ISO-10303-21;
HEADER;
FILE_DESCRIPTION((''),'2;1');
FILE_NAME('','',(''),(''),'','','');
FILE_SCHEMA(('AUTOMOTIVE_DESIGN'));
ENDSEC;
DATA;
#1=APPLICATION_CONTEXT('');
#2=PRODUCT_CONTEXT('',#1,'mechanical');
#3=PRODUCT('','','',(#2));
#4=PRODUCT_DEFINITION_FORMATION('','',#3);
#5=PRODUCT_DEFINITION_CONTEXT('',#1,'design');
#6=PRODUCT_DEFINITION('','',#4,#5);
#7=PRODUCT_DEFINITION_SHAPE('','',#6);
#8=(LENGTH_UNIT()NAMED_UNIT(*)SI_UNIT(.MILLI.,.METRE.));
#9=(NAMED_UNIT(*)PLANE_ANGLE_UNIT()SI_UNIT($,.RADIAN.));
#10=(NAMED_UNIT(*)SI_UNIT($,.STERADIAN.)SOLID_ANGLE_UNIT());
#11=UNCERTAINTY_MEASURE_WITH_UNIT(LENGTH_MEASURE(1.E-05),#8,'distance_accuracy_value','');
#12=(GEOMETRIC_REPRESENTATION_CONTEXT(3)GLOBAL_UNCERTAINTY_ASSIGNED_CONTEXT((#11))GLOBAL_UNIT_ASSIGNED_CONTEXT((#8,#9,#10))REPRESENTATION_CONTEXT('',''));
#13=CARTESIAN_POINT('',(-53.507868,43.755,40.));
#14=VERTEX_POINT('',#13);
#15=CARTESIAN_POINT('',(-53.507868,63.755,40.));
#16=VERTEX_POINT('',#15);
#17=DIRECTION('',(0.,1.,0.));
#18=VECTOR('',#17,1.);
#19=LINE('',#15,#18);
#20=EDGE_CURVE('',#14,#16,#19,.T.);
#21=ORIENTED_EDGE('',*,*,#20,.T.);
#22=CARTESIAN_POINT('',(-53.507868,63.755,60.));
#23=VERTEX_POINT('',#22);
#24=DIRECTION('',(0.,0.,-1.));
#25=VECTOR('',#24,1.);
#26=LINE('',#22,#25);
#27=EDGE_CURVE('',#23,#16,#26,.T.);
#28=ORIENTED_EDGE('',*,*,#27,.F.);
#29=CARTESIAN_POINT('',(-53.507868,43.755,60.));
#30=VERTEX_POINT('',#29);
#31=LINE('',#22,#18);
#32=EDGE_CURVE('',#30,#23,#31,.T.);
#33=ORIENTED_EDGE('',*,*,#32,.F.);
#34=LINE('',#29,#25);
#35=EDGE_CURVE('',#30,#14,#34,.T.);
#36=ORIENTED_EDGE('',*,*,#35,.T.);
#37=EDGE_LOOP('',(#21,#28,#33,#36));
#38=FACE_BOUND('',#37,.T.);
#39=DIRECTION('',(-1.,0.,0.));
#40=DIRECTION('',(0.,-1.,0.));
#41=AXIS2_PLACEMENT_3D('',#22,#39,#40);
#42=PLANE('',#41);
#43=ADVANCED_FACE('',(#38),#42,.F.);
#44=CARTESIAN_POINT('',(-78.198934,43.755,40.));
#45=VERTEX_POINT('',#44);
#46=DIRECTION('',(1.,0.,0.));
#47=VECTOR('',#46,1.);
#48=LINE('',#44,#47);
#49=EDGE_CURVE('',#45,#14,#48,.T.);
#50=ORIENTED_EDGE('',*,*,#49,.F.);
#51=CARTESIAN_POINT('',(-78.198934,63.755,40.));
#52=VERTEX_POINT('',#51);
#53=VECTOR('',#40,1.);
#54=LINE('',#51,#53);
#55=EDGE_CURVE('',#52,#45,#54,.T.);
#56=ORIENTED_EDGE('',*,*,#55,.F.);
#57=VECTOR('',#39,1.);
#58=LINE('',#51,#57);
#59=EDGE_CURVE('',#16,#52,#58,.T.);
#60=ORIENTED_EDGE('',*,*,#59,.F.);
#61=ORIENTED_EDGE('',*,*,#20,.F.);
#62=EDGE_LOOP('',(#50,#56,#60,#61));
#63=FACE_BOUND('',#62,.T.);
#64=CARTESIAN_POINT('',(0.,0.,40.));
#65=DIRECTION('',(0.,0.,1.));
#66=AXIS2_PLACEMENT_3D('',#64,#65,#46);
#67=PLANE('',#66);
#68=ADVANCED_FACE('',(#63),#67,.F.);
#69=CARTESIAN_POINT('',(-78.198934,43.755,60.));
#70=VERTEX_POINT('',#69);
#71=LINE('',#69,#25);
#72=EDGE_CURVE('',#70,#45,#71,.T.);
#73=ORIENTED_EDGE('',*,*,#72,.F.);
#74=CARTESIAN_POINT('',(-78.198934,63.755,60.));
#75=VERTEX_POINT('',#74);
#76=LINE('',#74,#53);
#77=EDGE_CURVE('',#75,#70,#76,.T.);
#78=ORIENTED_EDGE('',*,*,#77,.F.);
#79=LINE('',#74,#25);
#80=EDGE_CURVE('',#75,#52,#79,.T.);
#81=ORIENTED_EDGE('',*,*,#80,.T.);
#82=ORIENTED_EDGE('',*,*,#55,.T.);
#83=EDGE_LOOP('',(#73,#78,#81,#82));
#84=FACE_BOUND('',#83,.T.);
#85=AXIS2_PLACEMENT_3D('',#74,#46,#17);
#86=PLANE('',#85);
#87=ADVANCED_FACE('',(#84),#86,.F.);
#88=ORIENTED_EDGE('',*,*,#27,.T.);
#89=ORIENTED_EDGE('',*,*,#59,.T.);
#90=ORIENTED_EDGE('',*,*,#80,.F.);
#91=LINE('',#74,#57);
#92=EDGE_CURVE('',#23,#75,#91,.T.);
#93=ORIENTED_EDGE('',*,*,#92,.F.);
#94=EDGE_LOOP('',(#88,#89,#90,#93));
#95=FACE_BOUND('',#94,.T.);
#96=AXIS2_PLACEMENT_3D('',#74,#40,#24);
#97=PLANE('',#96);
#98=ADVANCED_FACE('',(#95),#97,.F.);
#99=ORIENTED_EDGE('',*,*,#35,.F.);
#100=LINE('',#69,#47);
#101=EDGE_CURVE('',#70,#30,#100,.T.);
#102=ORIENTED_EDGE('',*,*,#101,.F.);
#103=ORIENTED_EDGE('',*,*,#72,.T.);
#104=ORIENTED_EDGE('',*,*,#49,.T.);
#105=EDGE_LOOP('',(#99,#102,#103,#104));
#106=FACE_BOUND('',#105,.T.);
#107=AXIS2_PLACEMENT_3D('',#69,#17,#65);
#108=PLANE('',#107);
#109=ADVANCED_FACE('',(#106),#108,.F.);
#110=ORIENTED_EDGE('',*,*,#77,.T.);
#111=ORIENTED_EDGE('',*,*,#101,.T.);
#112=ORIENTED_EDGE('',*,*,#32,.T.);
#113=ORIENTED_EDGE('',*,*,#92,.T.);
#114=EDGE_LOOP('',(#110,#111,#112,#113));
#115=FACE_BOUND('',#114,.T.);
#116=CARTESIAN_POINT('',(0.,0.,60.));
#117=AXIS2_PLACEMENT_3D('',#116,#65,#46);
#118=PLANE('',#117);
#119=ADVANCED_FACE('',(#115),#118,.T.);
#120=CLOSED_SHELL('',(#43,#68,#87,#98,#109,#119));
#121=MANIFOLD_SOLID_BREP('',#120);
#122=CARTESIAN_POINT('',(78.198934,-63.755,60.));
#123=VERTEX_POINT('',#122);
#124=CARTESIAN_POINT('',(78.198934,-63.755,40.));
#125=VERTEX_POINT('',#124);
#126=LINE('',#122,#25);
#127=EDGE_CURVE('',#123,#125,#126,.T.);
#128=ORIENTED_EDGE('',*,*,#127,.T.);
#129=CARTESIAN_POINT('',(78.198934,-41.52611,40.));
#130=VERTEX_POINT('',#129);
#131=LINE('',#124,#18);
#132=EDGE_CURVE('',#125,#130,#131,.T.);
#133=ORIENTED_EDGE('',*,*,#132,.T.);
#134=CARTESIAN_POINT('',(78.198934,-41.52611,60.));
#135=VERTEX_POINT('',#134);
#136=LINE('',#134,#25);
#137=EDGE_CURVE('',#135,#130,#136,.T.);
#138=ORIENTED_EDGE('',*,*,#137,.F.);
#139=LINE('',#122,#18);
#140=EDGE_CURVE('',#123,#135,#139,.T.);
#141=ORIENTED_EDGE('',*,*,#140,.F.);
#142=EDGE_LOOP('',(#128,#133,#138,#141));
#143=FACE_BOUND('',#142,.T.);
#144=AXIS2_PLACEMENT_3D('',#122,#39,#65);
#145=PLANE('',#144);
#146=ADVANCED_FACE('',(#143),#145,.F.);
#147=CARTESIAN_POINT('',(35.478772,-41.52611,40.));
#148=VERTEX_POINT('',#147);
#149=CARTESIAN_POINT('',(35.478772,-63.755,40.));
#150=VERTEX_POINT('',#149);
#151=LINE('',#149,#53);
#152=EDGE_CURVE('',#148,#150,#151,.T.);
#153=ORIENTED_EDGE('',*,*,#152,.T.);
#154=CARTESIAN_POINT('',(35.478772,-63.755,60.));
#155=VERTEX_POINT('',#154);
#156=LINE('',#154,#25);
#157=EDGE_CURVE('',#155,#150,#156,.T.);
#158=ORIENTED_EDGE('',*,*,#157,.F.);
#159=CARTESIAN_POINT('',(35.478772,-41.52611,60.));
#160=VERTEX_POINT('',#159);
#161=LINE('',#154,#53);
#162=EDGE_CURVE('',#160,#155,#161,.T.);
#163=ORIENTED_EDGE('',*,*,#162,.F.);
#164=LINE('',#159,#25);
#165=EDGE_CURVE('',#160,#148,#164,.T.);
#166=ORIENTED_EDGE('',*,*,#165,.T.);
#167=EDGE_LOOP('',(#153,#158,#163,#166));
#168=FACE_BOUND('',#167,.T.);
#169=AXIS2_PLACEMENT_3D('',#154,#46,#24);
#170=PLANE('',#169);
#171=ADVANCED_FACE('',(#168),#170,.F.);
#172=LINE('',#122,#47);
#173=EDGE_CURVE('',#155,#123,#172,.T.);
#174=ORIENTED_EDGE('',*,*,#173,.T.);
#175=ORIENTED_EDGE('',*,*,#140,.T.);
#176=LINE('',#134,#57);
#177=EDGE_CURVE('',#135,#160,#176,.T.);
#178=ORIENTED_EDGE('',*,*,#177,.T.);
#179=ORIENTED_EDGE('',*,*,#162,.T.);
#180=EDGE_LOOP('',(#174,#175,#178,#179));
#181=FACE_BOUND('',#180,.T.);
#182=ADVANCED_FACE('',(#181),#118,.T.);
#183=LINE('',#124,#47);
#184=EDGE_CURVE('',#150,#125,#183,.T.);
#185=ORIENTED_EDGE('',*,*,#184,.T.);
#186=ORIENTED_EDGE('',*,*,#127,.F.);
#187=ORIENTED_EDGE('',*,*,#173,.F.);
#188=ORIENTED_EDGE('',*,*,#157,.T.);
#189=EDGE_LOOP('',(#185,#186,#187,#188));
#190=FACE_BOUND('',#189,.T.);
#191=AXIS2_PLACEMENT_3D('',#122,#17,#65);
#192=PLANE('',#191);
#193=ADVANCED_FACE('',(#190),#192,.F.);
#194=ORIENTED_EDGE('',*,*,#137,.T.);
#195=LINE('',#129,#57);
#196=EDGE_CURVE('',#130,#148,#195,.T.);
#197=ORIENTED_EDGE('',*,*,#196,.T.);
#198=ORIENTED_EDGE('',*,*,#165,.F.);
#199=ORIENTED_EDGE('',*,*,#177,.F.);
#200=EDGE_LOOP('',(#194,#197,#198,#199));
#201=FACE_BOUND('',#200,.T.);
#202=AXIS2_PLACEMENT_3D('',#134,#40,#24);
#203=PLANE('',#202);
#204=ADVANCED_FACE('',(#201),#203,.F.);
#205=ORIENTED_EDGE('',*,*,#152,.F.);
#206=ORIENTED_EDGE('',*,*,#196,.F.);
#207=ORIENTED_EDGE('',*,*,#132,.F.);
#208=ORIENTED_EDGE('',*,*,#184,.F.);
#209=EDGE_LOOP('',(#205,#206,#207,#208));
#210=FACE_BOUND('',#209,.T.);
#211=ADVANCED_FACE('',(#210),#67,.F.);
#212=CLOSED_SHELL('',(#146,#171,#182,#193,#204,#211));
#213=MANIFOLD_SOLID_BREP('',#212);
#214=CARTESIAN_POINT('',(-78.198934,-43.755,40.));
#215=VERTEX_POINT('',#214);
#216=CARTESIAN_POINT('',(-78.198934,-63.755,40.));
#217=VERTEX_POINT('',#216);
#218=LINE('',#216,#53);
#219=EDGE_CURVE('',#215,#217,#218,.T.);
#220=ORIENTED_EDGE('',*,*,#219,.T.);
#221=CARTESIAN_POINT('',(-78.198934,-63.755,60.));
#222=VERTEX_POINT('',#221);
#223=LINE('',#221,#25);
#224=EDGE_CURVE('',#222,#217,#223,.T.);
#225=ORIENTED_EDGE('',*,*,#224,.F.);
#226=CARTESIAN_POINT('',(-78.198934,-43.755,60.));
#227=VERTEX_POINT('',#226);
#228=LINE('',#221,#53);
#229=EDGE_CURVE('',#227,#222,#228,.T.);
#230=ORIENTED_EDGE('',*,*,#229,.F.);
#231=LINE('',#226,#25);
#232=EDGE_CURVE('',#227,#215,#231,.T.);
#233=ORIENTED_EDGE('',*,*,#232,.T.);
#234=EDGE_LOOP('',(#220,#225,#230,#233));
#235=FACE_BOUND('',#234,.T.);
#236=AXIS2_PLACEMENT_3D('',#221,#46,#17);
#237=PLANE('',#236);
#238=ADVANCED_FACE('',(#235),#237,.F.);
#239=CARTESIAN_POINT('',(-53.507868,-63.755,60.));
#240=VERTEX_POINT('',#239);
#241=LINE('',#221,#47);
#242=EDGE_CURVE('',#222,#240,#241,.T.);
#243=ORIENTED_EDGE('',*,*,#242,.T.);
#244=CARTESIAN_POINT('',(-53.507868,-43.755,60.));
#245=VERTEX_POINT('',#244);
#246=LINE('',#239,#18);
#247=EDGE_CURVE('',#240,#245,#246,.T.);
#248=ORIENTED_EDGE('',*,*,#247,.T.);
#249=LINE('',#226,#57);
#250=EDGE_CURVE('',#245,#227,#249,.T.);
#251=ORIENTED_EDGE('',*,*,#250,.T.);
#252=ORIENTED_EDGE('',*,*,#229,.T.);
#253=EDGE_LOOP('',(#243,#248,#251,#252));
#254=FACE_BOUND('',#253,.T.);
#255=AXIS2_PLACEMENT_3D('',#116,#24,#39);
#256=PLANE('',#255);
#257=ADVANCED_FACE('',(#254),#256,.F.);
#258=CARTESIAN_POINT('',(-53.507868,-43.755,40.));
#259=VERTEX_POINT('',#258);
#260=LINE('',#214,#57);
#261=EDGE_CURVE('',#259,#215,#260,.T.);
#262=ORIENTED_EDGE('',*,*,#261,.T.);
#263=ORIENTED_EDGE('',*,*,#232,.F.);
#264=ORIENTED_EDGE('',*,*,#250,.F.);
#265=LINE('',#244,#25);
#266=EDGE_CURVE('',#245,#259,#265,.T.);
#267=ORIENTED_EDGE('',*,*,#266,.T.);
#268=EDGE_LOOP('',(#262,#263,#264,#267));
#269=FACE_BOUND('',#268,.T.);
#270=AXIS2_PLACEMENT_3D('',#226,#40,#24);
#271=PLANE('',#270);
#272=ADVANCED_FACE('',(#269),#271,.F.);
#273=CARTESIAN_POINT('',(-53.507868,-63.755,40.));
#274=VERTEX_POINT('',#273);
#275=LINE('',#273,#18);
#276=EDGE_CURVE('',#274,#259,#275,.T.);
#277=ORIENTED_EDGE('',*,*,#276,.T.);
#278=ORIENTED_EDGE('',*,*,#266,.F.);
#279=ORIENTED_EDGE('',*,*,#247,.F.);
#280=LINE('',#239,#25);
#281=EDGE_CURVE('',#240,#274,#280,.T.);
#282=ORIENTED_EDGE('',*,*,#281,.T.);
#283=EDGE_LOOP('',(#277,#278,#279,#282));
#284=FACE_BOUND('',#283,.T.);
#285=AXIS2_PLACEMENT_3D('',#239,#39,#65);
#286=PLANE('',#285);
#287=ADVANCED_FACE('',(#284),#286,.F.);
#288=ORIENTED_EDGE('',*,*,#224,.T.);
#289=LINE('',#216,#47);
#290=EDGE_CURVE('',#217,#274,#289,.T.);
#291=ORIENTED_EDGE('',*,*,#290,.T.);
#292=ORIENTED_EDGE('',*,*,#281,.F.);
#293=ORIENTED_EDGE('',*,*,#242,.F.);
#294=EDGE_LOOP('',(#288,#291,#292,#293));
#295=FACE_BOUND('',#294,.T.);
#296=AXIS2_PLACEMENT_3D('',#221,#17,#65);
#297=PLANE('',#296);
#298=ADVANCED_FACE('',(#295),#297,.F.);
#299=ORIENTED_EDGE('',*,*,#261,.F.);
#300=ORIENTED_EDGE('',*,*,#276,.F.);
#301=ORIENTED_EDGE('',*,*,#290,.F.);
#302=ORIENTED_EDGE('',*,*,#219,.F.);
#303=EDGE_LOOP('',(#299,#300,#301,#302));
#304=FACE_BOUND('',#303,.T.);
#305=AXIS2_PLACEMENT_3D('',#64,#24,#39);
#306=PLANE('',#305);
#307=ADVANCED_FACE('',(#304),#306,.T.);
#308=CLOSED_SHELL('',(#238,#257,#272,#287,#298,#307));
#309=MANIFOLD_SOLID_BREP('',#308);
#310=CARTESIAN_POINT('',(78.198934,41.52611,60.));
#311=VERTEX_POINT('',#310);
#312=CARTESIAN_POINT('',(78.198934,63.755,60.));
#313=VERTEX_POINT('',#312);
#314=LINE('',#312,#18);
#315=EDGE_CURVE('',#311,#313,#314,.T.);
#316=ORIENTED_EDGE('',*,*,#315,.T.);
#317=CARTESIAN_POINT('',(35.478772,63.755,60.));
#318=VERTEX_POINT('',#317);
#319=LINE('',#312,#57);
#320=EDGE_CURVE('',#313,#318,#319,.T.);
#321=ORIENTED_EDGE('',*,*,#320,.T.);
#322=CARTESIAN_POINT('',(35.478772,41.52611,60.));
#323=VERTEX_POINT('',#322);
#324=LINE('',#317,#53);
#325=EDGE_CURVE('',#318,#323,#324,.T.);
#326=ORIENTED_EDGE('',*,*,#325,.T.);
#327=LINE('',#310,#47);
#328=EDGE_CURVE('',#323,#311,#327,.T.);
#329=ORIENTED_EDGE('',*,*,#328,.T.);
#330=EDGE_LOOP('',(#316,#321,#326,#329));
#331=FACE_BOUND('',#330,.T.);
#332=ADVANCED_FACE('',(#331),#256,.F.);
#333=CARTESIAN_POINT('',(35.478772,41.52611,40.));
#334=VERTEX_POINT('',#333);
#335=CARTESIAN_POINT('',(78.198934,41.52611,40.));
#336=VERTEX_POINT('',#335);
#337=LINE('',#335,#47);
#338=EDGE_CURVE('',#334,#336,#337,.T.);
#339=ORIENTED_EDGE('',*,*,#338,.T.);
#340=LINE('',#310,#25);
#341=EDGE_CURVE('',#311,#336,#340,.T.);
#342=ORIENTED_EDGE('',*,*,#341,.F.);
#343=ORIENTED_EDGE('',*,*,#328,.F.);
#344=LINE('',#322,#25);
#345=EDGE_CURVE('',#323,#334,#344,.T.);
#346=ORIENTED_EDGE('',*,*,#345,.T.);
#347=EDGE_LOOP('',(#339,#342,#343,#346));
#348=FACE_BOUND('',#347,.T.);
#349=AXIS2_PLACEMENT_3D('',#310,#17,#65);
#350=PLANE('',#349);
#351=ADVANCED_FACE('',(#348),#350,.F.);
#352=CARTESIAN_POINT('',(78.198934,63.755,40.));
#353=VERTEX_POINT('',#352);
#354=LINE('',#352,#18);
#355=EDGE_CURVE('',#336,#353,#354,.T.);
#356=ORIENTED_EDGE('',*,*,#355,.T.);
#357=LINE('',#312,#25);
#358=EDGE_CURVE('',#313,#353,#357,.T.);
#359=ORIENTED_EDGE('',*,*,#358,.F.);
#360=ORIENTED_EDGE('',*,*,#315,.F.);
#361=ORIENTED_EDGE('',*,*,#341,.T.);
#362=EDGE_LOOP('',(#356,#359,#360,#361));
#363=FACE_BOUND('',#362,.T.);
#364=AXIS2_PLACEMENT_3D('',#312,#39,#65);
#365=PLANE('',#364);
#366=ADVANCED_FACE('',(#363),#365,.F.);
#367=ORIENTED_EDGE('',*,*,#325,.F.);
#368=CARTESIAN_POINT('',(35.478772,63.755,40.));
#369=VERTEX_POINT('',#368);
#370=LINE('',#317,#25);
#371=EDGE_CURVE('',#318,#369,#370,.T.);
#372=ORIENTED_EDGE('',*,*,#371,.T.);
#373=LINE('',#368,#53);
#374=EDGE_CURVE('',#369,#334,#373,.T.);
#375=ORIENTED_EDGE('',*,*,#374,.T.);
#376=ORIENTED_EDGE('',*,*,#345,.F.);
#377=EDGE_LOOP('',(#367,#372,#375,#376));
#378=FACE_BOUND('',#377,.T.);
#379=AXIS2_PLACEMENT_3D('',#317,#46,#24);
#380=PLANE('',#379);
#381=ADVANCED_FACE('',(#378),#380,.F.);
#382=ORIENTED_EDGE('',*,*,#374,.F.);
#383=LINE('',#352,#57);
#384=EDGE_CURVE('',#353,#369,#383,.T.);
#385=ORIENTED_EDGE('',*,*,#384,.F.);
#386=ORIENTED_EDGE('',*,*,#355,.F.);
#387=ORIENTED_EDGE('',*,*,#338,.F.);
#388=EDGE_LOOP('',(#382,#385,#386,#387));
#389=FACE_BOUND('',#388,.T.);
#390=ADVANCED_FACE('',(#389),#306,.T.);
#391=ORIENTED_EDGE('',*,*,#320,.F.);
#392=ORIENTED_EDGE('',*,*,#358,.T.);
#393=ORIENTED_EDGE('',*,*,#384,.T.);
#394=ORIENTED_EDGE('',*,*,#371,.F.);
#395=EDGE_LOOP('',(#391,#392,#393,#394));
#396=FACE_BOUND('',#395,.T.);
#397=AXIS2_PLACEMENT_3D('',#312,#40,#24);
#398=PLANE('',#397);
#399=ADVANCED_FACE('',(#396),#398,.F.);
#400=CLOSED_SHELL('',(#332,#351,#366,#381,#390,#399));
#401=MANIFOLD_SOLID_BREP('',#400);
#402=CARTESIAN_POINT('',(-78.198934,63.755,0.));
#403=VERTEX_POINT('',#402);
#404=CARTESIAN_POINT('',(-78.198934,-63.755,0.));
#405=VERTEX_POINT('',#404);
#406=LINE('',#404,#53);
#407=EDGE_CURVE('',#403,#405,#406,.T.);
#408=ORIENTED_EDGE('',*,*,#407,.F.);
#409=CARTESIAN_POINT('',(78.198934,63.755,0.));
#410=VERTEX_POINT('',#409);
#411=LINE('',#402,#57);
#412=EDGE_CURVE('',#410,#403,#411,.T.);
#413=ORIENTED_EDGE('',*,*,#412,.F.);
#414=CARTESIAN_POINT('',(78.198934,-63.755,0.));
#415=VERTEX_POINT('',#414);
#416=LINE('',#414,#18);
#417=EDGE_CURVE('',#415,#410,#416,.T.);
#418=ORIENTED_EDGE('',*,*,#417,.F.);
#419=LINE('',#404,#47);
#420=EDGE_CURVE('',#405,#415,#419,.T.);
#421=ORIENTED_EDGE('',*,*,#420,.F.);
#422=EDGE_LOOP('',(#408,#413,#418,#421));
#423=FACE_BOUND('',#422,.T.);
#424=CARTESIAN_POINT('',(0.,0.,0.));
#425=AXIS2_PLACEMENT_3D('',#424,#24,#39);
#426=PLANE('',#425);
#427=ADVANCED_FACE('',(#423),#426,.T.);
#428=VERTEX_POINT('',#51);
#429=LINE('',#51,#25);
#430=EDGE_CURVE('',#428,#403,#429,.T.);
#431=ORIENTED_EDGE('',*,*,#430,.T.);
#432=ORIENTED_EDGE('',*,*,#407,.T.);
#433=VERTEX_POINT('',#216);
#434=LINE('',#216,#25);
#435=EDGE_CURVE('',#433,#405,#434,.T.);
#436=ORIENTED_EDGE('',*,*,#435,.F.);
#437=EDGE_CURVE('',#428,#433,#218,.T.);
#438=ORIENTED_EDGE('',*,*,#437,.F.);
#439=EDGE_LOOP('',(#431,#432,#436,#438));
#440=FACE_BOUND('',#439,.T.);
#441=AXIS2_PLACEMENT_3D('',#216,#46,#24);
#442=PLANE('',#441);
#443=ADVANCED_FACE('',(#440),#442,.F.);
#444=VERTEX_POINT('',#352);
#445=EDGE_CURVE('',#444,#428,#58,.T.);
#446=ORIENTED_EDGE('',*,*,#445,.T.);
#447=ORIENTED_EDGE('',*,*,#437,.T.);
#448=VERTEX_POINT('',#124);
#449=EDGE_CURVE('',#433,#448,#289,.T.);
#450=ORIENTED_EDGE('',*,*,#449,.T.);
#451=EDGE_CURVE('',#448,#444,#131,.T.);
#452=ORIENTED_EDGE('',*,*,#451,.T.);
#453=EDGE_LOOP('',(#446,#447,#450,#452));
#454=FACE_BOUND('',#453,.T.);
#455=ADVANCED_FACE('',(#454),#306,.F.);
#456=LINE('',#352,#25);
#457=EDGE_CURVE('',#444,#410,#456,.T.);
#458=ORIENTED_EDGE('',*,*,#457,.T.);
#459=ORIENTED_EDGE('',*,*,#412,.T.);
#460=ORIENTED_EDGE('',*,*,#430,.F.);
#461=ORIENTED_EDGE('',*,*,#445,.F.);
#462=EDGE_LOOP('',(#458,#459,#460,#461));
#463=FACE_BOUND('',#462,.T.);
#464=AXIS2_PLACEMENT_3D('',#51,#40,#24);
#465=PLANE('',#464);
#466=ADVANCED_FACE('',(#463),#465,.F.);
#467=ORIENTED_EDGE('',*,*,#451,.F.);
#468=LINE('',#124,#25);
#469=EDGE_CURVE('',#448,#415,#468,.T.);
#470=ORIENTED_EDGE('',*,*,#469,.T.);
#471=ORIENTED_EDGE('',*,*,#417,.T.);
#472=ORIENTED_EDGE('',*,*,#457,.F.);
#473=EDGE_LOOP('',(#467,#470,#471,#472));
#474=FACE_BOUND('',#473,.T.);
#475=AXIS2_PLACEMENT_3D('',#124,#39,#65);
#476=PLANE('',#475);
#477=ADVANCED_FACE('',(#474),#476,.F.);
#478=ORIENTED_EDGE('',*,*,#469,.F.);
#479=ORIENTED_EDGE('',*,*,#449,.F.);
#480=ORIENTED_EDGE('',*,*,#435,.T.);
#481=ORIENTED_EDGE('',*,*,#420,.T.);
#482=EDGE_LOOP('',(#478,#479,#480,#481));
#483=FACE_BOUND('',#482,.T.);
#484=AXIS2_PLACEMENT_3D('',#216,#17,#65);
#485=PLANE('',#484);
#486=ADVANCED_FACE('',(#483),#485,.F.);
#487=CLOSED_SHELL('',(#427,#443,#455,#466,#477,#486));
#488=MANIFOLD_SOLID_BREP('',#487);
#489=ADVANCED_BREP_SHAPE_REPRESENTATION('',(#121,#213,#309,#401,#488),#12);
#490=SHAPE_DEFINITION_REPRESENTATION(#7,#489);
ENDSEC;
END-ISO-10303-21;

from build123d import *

# Parameters (mm, degrees)
ESBO_O1_W                  = 156.39786889
ESBO_O1_H                  = 127.51
NOVO_DEPTH                 = 40
ESBO_O2_W                  = 24.691065998
ESBO_O2_H                  = 20
RESSALTO_EXTRUS_O2_DEPTH   = 20
RESSALTO_EXTRUS_O2_2_DEPTH = 20
ESBO_O2_W_2                = 42.720162864
ESBO_O2_H_2                = 22.228889681
RESSALTO_EXTRUS_O2_3_DEPTH = 20
RESSALTO_EXTRUS_O2_4_DEPTH = 20


with BuildPart() as part:
    # Esboço1 → Novo (new body)
    with BuildSketch(Plane.XY):
        Rectangle(ESBO_O1_W, ESBO_O1_H)
    extrude(amount=NOVO_DEPTH)


with BuildPart() as body_2:
    # Esboço2 → Ressalto-extrusão2 (new body)
    with BuildSketch(Plane.XY.offset(40)):
        with Locations((-65.853401446, -53.755)):
            Rectangle(ESBO_O2_W, ESBO_O2_H)
    extrude(amount=RESSALTO_EXTRUS_O2_DEPTH)


with BuildPart() as body_3:
    # Esboço2 → Ressalto-extrus_o2 2 (new body)
    with BuildSketch(Plane.XY.offset(40)):
        with Locations((-65.853401446, 53.755)):
            Rectangle(ESBO_O2_W, ESBO_O2_H)
    extrude(amount=RESSALTO_EXTRUS_O2_2_DEPTH)


with BuildPart() as body_4:
    # Esboço2 → Ressalto-extrus_o2 3 (new body)
    with BuildSketch(Plane.XY.offset(40)):
        with Locations((56.838853013, 52.64055516)):
            Rectangle(ESBO_O2_W_2, ESBO_O2_H_2)
    extrude(amount=RESSALTO_EXTRUS_O2_3_DEPTH)


with BuildPart() as body_5:
    # Esboço2 → Ressalto-extrus_o2 4 (new body)
    with BuildSketch(Plane.XY.offset(40)):
        with Locations((56.838853013, -52.64055516)):
            Rectangle(ESBO_O2_W_2, ESBO_O2_H_2)
    extrude(amount=RESSALTO_EXTRUS_O2_4_DEPTH)


solid = Compound([part.part, body_2.part, body_3.part, body_4.part, body_5.part])
